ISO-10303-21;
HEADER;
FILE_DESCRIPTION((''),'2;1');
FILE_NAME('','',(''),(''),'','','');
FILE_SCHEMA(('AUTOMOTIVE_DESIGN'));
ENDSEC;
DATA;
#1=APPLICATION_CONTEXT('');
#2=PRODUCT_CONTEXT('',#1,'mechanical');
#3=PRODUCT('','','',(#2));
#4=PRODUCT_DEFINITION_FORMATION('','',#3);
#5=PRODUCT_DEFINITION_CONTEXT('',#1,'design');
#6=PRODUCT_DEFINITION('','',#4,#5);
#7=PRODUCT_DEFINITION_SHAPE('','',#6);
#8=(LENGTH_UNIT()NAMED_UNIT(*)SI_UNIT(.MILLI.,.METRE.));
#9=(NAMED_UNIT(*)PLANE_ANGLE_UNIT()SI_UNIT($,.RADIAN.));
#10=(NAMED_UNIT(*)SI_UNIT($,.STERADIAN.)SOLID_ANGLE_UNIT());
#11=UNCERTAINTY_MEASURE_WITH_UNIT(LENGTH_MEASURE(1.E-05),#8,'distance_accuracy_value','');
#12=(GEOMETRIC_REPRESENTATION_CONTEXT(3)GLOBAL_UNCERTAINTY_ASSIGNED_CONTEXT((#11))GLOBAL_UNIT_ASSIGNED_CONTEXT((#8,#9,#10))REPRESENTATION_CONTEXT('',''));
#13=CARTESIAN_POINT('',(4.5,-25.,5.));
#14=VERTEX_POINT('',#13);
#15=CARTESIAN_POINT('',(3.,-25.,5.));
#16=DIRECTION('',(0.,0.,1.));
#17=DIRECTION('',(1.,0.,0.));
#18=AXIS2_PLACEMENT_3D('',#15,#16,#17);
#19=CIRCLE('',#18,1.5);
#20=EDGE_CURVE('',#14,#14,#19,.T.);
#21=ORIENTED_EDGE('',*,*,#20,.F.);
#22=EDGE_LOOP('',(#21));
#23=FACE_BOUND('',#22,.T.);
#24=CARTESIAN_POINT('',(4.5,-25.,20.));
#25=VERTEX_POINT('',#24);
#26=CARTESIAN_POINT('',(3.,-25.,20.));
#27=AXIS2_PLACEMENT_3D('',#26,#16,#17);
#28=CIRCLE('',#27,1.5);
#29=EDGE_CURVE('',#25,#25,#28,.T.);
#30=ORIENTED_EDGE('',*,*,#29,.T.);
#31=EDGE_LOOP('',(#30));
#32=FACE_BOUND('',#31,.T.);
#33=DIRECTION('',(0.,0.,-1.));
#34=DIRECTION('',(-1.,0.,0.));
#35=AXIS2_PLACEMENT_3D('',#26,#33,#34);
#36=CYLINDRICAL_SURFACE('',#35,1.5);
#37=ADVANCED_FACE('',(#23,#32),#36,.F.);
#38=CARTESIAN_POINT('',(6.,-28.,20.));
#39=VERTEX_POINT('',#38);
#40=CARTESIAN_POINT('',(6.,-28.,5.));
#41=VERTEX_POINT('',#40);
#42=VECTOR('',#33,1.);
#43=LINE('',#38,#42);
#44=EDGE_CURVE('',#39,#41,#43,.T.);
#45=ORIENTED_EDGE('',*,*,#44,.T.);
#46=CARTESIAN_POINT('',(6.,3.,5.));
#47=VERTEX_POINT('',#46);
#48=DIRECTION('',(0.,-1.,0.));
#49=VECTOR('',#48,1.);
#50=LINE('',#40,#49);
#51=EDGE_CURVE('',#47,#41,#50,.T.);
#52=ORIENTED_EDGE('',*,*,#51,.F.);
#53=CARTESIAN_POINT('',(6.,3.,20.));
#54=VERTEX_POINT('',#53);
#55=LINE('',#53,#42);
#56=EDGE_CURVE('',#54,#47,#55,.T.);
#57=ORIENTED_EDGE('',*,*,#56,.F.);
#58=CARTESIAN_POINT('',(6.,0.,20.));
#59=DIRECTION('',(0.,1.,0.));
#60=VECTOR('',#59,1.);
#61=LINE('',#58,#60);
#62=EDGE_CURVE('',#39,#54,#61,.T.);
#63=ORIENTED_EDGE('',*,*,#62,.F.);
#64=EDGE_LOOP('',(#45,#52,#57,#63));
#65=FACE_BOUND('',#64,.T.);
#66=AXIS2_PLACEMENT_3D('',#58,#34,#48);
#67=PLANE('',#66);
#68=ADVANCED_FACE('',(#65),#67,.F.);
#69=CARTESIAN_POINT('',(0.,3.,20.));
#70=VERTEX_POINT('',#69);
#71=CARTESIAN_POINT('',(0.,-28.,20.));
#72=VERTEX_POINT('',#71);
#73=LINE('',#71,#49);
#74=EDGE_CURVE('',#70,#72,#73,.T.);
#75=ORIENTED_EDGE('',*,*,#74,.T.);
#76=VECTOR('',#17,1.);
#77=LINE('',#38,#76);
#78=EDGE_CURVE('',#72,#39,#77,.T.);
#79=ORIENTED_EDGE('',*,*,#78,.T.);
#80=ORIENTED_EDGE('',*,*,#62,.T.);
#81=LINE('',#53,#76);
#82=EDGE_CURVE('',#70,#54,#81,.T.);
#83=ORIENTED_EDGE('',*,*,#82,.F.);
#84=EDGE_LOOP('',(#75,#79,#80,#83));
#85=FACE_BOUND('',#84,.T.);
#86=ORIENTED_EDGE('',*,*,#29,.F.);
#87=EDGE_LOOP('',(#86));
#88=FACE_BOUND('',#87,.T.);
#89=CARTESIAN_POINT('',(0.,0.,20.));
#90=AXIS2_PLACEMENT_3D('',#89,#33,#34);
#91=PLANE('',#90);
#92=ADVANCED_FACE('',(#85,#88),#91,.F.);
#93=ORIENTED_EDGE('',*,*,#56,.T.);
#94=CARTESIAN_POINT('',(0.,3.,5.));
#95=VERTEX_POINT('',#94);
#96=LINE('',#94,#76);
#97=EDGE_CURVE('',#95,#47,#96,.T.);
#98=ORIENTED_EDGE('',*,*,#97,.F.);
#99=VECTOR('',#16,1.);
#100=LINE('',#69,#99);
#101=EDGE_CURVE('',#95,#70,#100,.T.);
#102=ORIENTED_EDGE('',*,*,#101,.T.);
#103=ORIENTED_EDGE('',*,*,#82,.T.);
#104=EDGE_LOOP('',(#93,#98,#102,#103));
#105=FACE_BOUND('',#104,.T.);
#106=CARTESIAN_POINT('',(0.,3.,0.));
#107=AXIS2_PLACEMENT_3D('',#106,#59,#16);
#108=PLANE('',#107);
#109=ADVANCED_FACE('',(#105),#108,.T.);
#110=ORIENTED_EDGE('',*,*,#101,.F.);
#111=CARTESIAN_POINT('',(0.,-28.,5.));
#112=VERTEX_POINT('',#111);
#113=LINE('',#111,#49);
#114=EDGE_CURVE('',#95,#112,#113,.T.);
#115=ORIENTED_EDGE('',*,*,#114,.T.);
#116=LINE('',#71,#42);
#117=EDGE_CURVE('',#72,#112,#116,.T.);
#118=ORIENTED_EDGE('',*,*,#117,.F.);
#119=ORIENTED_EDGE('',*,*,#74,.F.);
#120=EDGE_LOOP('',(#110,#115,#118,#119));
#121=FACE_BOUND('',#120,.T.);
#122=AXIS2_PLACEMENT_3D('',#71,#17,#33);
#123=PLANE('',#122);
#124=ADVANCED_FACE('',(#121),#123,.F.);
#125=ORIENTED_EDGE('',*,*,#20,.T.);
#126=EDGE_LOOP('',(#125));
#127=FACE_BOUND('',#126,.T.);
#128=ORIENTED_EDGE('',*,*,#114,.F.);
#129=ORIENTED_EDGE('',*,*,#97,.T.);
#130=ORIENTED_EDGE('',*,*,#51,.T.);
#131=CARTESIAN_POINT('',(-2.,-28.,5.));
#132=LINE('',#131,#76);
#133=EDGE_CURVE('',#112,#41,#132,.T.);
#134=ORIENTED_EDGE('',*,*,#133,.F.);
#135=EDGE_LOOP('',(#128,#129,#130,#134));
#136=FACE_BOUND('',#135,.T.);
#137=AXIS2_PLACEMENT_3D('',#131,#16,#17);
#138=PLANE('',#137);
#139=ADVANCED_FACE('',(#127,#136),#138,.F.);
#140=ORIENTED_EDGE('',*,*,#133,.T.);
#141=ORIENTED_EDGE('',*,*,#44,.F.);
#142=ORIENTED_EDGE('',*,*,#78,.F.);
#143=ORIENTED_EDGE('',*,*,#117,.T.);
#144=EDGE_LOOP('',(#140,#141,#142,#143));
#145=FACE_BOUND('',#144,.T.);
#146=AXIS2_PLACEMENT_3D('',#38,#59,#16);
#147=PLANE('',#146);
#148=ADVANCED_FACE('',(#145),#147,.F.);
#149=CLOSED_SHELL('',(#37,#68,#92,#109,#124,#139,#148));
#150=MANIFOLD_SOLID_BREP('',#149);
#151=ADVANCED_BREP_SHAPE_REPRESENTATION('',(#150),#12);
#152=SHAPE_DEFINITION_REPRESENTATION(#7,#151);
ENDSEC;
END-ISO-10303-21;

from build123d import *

# Parameters (mm, degrees)
SKETCH_1_W          = 6
SKETCH_1_H          = 28
SKETCH_1_R          = 1.5
EXTRUDE_1_DEPTH     = 20
SKETCH_2_W          = 6
SKETCH_2_H          = 20
EXTRUDE_2_DEPTH     = 3
SKETCH_3_W          = 5
SKETCH_3_H          = 31
CUT_EXTRUDE_1_DEPTH = 8


with BuildPart() as part:
    # 草图1 → 凸台-拉伸1 (new body)
    with BuildSketch(Plane.XY):
        with Locations((3, -14)):
            Rectangle(SKETCH_1_W, SKETCH_1_H)
        with Locations((3, -25)):
            Circle(SKETCH_1_R, mode=Mode.SUBTRACT)
    extrude(amount=EXTRUDE_1_DEPTH)

    # 草图2 → 凸台-拉伸2 (add)
    with BuildSketch(Plane(origin=(0, 0, 0), x_dir=(1, 0, 0), z_dir=(0, 1, 0))):
        with Locations((3, -10)):
            Rectangle(SKETCH_2_W, SKETCH_2_H)
    extrude(amount=EXTRUDE_2_DEPTH)

    # 草图3 → 切除-拉伸1 (cut)
    with BuildSketch(Plane(origin=(6, 0, 0), x_dir=(0, 0, -1), z_dir=(1, 0, 0))):
        with Locations((-2.5, -12.5)):
            Rectangle(SKETCH_3_W, SKETCH_3_H)
    extrude(amount=-CUT_EXTRUDE_1_DEPTH, mode=Mode.SUBTRACT)


solid = part.part
